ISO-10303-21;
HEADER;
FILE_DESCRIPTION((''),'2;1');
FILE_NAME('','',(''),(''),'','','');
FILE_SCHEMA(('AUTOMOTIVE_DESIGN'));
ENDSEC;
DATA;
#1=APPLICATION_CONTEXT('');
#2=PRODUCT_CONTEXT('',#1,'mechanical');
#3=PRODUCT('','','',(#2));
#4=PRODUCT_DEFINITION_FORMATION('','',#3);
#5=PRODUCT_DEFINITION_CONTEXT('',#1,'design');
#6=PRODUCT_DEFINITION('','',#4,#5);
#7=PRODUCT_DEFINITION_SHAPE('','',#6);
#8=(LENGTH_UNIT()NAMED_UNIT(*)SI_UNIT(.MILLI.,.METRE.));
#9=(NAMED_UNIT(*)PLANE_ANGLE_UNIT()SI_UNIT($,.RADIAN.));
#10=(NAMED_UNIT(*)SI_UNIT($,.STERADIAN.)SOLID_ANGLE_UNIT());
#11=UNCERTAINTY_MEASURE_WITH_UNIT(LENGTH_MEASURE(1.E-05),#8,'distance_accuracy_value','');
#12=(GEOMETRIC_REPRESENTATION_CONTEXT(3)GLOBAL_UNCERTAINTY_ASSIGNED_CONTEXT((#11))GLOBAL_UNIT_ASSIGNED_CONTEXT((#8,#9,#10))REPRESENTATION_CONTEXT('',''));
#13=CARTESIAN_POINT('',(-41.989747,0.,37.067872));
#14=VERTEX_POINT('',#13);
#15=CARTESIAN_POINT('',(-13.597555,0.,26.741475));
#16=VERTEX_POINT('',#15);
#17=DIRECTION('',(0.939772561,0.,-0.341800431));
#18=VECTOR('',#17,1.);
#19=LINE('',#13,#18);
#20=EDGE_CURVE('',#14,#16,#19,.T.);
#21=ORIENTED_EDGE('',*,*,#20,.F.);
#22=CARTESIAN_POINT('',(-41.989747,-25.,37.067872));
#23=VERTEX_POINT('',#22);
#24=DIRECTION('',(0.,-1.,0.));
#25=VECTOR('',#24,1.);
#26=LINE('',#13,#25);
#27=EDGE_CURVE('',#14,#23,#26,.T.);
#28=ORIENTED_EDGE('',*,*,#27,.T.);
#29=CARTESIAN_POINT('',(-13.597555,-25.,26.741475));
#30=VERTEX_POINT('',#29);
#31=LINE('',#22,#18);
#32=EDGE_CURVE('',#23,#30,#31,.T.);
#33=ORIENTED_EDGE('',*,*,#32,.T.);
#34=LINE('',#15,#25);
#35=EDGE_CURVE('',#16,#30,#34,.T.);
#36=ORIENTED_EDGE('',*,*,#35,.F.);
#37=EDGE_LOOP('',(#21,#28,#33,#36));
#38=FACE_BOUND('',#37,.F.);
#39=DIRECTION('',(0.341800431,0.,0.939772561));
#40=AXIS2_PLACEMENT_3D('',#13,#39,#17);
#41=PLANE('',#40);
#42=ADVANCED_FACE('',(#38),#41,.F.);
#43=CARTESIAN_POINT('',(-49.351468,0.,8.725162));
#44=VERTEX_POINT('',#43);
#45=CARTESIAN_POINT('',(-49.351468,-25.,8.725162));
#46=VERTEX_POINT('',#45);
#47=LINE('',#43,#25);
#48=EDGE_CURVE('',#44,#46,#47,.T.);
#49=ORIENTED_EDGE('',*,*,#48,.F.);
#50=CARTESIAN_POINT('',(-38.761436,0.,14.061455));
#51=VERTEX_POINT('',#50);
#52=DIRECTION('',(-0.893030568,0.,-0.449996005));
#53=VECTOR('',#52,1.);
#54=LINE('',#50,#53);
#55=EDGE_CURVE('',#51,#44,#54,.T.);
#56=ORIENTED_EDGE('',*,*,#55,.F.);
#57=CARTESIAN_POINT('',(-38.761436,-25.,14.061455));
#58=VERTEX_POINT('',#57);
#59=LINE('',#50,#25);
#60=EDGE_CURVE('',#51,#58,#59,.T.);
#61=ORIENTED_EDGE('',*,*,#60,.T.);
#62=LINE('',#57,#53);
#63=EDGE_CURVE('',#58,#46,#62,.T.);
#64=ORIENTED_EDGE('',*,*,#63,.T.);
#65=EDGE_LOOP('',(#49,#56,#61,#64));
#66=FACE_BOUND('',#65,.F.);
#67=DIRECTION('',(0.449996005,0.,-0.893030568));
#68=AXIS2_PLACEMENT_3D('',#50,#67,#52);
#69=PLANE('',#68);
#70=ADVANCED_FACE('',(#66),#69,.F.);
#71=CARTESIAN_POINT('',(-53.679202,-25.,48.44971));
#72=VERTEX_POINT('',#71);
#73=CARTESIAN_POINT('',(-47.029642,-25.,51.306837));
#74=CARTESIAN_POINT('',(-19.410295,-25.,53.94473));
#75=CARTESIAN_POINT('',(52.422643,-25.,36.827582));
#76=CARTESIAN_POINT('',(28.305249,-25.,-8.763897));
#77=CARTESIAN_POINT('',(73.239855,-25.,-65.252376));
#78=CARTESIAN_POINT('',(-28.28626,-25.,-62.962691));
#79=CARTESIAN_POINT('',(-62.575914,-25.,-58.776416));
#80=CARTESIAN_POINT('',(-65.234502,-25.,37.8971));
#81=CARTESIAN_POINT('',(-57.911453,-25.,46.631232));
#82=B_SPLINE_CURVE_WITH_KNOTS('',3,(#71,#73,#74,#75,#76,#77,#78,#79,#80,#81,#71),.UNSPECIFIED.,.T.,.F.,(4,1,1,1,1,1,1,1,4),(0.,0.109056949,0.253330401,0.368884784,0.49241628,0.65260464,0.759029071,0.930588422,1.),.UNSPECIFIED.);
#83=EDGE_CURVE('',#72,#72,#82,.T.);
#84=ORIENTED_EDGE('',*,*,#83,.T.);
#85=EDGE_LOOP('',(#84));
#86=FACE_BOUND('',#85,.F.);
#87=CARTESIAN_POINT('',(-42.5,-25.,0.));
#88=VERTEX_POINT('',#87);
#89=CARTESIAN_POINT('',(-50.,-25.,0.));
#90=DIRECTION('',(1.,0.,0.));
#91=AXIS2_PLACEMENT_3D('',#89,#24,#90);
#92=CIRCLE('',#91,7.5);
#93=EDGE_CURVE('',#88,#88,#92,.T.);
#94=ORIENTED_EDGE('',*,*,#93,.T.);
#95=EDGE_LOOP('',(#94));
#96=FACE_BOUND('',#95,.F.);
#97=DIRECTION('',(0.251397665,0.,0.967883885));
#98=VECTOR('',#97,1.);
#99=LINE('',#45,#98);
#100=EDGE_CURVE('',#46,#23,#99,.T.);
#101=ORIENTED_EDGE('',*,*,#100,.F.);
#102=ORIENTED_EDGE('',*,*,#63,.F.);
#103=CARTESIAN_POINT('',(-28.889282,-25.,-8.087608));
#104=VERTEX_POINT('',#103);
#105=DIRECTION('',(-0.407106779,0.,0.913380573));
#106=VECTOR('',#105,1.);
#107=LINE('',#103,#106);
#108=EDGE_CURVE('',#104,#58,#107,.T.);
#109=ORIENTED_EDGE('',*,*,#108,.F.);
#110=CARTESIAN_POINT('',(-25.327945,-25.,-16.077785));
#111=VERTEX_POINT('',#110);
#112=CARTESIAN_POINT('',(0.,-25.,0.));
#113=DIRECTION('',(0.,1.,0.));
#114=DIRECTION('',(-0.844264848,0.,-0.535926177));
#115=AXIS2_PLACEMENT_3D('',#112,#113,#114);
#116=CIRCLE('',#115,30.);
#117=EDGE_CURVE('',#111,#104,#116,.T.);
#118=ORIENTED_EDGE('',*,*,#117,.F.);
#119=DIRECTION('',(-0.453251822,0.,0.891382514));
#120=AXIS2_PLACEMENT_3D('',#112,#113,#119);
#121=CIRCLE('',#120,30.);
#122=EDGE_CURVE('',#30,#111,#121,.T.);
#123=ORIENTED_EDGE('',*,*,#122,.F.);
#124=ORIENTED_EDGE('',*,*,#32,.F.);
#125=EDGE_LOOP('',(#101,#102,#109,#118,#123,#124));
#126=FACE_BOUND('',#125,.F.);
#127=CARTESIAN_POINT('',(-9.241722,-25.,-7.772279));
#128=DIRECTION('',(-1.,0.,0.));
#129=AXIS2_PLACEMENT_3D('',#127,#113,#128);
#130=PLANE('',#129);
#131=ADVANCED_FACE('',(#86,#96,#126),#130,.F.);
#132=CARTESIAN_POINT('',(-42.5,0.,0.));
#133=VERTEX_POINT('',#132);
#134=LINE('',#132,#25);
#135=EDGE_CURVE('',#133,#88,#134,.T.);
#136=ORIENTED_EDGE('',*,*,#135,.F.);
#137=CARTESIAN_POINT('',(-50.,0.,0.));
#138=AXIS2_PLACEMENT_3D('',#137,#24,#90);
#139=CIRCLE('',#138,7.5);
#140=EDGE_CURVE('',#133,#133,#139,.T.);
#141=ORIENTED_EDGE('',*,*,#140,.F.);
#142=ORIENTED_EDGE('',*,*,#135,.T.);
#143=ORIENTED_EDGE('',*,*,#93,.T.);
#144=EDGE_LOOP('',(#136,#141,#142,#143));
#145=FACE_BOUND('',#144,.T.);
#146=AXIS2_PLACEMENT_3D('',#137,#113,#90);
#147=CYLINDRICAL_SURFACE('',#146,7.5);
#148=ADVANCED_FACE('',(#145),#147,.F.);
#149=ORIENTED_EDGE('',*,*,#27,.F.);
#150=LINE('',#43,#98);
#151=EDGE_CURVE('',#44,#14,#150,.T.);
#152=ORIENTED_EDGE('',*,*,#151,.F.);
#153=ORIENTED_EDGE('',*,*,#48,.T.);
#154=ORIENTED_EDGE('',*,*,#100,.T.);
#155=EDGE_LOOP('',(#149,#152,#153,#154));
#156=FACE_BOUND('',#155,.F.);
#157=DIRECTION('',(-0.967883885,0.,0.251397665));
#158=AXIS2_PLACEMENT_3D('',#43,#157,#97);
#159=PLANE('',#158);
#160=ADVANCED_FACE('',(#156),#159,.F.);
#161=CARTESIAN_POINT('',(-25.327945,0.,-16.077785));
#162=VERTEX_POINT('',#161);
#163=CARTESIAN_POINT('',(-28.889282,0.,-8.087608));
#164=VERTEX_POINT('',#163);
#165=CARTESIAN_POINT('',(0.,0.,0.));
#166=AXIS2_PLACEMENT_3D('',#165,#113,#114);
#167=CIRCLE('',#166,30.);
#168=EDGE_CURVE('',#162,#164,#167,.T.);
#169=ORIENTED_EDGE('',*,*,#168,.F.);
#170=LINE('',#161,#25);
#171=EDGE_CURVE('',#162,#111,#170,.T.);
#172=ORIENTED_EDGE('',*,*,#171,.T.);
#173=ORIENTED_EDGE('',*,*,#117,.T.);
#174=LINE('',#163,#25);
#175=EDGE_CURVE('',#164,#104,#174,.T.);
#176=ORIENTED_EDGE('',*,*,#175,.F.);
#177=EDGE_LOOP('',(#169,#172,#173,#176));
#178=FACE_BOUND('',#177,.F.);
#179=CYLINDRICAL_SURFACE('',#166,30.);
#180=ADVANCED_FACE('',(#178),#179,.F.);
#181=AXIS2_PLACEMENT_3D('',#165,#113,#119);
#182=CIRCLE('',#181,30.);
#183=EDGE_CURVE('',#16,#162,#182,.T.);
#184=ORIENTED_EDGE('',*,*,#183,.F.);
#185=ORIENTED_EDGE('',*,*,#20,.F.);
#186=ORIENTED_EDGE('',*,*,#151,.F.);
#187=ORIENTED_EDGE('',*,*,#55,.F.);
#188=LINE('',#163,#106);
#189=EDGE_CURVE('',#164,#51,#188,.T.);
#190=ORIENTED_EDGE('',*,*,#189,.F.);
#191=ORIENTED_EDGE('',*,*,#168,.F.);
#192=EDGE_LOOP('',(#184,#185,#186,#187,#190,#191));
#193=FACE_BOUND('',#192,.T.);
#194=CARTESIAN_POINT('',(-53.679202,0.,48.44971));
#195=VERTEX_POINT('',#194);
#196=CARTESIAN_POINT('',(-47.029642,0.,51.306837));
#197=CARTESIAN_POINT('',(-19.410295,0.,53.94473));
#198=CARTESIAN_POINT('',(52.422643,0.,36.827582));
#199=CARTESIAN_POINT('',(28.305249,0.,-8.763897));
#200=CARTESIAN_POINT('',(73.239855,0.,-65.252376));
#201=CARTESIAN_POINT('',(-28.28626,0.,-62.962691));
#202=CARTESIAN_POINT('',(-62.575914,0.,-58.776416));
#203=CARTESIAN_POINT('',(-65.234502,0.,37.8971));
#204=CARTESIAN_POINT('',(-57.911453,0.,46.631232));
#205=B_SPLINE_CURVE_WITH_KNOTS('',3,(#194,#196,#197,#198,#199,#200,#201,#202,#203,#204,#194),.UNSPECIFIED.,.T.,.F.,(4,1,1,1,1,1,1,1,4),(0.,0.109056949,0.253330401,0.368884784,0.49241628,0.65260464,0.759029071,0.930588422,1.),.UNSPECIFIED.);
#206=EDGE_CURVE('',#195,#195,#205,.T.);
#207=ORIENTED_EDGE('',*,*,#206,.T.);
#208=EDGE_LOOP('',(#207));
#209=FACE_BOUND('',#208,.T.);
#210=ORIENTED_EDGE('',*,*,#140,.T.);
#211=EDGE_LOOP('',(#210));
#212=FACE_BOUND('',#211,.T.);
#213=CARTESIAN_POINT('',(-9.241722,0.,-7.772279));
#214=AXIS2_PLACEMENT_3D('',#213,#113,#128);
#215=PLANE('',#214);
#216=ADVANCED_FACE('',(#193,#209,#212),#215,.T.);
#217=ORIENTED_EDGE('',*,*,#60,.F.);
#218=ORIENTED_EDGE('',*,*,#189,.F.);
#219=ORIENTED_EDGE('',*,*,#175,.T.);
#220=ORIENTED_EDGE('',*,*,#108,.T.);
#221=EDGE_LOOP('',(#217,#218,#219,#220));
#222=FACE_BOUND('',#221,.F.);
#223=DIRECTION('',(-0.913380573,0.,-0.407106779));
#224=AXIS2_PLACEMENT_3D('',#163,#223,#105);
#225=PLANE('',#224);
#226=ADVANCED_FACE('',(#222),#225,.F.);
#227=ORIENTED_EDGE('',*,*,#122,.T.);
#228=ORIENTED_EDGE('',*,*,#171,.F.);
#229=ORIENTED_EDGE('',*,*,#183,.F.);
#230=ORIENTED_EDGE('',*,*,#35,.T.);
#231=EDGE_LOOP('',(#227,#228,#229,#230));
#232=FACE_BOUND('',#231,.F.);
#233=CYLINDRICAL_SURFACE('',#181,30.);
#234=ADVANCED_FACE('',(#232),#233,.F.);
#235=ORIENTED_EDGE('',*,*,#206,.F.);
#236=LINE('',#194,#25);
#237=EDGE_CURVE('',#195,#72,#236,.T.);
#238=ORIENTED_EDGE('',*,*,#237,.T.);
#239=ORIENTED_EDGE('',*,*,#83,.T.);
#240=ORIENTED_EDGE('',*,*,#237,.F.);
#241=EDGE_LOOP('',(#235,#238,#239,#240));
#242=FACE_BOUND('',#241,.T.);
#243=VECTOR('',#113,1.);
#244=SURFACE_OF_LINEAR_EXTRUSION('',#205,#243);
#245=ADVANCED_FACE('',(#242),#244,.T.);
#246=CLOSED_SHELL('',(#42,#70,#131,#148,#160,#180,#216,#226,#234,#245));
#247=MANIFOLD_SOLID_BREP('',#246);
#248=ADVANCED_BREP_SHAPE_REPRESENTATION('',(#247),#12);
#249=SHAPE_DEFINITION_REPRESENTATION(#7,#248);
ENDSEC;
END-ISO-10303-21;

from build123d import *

# Parameters (mm, degrees)
F0_R     = 7.5
F1_DEPTH = 25


with BuildPart() as f1:
    # F0 (on Front) → F1 (new body)
    with BuildSketch(Plane.XZ):
        with BuildLine():
            add(Edge.make_bspline(
                [(-53.6792017519, 48.4497100115), (-47.0296416764, 51.3068371357), (-19.4102949907, 53.9447301786), (52.4226425865, 36.8275815857), (28.3052490011, -8.7638969374), (73.2398551892, -65.2523760217), (-28.2862595213, -62.9626914383), (-62.5759135662, -58.7764162251), (-65.2345022987, 37.8970998278), (-57.9114534315, 46.6312316561), (-53.6792017519, 48.4497100115)],
                knots=[0, 0, 0, 0, 0.109056949, 0.253330401, 0.3688847844, 0.4924162796, 0.65260464, 0.7590290707, 0.9305884223, 1, 1, 1, 1], degree=3))
        make_face()
        with Locations((-50, 0)):
            Circle(F0_R, mode=Mode.SUBTRACT)
        with BuildLine():
            ThreePointArc((-13.5975546519, 26.7414754172), (15.6855564205, 25.57270654), (30, 0))
            ThreePointArc((30, 0), (8.3714287028, -28.8083179216), (-25.3279454316, -16.0777853019))
            ThreePointArc((-25.3279454316, -16.0777853019), (-27.4014171845, -12.2132033588), (-28.8892817206, -8.0876079077))
            Line((-28.8892817206, -8.0876079077), (-38.76143565, 14.0614549042))
            Line((-38.76143565, 14.0614549042), (-49.3514682026, 8.7251623819))
            Line((-49.3514682026, 8.7251623819), (-41.9897474349, 37.0678715408))
            Line((-41.9897474349, 37.0678715408), (-13.5975546519, 26.7414754172))
        make_face(mode=Mode.SUBTRACT)
    extrude(amount=F1_DEPTH)


solid = f1.part
